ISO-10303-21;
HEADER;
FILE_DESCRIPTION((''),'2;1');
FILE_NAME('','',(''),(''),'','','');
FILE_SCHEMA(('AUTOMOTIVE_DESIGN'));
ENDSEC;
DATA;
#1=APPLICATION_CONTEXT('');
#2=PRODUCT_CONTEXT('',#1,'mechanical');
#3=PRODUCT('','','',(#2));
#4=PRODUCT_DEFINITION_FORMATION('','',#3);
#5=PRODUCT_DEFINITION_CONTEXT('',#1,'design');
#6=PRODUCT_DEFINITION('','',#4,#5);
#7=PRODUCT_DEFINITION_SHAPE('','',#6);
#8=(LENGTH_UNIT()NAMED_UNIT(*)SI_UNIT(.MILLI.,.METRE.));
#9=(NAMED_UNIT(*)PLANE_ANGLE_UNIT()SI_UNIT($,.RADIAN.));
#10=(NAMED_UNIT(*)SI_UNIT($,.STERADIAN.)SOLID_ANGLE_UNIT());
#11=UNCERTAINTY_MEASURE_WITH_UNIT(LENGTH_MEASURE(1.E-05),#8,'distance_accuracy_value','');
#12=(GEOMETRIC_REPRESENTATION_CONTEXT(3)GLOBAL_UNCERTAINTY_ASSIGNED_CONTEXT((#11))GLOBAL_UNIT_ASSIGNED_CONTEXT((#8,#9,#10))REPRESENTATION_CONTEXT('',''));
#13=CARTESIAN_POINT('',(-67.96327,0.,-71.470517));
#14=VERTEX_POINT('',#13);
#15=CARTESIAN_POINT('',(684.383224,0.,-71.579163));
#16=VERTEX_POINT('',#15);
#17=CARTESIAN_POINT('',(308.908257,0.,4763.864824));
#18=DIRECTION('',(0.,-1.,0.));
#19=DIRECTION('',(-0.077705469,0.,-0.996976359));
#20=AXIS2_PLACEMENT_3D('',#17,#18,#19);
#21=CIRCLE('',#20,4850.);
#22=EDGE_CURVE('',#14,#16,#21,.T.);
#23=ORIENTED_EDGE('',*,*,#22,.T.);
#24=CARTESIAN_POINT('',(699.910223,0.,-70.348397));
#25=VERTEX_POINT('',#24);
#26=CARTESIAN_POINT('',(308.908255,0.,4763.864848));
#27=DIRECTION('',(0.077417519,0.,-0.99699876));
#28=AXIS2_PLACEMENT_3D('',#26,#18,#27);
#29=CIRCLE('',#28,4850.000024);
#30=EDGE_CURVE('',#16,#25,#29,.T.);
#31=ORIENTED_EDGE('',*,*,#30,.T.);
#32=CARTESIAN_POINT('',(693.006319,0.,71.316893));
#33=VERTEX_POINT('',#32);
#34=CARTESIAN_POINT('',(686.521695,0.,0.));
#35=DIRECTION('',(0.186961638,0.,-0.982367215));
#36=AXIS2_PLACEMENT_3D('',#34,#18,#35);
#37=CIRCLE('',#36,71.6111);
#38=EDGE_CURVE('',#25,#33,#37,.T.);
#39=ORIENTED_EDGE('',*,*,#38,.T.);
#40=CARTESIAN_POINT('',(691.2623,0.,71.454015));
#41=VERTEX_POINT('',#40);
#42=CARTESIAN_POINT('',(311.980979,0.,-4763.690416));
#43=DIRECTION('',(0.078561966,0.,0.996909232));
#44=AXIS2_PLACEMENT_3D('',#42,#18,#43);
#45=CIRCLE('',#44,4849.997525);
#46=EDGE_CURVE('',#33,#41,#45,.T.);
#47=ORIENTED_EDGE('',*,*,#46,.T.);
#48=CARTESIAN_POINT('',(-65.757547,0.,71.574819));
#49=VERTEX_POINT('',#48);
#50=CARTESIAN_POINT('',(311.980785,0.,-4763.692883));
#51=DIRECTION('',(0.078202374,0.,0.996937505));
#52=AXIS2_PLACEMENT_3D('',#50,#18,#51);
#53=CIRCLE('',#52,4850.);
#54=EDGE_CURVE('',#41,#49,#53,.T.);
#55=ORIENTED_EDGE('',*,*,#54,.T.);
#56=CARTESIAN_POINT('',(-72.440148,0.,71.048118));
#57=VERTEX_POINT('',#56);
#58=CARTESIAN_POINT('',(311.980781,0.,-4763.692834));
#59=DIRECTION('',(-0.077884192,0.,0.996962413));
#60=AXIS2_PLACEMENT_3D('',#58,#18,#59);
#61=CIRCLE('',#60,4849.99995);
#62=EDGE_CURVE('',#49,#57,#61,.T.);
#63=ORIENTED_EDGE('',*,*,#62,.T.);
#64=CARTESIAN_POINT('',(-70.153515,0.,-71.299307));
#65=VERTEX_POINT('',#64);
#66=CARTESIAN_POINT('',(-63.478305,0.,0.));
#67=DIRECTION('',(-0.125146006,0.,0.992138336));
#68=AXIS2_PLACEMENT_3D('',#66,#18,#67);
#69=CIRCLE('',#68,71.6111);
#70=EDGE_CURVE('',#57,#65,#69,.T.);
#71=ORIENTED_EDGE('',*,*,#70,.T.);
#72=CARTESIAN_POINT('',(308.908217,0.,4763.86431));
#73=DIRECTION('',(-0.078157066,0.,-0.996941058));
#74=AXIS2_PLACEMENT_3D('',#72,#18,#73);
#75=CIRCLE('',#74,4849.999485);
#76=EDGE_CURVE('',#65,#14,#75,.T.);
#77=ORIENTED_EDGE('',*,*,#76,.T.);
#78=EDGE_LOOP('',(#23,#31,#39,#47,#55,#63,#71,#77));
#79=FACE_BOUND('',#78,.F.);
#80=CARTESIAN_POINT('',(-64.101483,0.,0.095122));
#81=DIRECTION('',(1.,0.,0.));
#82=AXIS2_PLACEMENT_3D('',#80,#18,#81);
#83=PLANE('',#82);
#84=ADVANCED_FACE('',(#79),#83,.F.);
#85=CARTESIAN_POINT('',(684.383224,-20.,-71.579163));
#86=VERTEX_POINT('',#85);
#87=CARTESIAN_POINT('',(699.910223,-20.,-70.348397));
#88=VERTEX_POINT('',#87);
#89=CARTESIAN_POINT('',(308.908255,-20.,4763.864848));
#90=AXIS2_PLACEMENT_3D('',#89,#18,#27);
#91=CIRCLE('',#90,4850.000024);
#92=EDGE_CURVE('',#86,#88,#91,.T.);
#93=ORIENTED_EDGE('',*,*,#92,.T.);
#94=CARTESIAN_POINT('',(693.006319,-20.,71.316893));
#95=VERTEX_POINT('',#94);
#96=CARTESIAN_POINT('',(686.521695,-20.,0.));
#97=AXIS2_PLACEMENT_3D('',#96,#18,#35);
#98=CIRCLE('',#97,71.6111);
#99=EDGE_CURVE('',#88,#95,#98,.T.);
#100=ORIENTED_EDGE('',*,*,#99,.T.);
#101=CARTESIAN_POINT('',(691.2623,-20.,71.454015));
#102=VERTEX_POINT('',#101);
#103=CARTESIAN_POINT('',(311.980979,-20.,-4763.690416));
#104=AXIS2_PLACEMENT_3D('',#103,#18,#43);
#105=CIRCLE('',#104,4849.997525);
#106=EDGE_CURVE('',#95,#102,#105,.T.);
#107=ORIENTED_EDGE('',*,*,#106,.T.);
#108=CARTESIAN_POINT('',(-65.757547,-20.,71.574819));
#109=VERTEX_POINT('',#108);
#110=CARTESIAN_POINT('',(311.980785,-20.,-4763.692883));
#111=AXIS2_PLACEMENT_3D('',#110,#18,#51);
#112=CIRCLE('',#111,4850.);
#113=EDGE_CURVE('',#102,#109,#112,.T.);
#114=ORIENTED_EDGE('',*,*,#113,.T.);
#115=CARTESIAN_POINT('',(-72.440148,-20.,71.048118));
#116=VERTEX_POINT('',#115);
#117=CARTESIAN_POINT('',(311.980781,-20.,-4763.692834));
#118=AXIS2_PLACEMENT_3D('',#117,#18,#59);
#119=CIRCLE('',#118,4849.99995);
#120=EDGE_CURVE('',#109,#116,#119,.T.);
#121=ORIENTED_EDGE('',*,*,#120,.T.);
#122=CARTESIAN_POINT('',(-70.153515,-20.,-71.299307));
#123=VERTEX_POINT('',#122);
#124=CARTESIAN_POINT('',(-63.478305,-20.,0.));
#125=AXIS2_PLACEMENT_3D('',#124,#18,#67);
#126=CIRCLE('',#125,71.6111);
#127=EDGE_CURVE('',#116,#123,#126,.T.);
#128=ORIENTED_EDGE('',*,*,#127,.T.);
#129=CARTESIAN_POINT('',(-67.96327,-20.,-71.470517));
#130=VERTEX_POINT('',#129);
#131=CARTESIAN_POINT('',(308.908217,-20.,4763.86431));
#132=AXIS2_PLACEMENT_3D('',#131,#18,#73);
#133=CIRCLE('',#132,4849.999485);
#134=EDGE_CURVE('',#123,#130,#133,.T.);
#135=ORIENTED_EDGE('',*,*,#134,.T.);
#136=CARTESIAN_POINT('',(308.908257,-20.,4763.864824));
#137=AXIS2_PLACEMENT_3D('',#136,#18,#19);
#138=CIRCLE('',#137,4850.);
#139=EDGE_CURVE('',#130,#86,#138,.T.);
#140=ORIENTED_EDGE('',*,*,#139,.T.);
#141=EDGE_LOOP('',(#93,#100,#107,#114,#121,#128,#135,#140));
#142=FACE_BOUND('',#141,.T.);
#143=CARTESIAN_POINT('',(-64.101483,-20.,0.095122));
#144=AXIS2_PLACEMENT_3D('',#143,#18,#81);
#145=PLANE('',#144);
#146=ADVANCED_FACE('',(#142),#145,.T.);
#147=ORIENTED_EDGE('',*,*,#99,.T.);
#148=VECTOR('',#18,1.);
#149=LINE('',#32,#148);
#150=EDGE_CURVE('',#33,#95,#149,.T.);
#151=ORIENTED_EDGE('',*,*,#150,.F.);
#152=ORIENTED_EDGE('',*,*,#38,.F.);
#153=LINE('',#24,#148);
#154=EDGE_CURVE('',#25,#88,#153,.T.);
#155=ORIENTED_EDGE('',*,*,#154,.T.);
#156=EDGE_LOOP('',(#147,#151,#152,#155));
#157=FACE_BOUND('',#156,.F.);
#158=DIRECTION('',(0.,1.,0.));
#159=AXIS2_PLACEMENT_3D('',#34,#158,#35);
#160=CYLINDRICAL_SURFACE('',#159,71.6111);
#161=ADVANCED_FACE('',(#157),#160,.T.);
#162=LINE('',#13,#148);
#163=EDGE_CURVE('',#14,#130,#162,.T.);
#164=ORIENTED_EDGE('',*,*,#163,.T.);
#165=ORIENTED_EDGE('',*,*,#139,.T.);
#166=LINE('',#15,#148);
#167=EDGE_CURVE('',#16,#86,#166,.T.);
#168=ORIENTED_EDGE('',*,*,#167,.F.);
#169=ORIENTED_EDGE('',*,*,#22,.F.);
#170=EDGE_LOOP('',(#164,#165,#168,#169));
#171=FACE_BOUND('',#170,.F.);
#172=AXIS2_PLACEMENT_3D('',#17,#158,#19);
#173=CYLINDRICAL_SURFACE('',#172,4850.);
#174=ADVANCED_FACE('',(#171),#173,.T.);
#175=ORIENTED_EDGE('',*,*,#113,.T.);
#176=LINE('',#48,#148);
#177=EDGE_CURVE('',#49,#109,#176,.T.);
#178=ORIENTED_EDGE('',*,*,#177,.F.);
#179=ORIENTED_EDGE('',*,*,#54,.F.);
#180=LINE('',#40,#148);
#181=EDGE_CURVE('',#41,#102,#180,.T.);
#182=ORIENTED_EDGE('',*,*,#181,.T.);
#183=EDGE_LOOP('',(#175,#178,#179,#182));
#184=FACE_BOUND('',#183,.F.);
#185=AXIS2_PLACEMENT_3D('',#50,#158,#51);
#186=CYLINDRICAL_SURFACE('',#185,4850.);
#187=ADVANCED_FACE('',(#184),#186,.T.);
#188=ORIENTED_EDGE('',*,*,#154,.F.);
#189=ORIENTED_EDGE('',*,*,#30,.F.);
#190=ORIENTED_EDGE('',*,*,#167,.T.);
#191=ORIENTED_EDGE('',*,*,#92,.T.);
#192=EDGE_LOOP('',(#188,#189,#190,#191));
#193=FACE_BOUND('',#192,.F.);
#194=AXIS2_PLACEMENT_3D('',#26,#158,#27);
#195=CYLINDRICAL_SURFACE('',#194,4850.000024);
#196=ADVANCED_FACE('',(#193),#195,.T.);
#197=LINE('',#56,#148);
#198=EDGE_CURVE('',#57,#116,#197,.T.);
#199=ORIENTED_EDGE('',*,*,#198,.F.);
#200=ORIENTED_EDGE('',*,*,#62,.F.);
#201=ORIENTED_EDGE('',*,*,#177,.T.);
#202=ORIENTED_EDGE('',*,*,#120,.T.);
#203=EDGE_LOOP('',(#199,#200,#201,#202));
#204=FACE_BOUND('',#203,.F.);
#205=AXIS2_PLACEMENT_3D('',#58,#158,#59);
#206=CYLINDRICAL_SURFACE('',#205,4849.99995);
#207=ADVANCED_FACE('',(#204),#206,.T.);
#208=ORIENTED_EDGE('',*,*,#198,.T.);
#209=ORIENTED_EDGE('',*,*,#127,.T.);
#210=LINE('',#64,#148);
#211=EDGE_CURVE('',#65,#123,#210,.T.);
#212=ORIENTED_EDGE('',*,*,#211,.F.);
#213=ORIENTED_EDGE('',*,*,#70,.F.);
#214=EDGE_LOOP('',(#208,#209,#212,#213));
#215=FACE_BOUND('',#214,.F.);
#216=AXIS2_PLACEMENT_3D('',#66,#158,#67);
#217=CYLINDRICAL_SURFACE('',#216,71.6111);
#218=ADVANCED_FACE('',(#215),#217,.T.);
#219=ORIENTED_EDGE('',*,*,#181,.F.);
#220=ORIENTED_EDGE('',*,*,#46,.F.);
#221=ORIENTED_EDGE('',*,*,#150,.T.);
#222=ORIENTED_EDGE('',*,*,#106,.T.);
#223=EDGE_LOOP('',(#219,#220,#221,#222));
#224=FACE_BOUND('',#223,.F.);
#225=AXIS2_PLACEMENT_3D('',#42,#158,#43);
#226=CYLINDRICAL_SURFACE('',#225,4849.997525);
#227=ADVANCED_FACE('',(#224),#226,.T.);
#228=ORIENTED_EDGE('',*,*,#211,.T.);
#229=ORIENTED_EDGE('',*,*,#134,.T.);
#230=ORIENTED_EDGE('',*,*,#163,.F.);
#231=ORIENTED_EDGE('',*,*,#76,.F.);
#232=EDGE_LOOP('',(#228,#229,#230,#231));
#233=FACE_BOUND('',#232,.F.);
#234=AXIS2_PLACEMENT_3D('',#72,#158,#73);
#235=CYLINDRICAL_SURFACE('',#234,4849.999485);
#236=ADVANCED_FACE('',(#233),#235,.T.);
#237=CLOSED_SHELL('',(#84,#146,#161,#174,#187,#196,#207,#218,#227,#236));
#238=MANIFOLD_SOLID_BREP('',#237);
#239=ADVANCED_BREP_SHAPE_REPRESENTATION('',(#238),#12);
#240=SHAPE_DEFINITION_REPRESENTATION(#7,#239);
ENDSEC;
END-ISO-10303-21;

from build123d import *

# Parameters (mm, degrees)
F1_DEPTH = 20


with BuildPart() as f1:
    # F0 (on Front) → F1 (new body)
    with BuildSketch(Plane.XZ):
        with BuildLine():
            ThreePointArc((-65.757547181, 71.5748188867), (-69.0989387142, 71.3126227553), (-72.4401482551, 71.0481175695))
            ThreePointArc((-72.4401482551, 71.0481175695), (-135.0801674653, -1.1501941521), (-70.1535153362, -71.2993072286))
            ThreePointArc((-70.1535153362, -71.2993072286), (-69.0584021422, -71.3850359083), (-67.9632695598, -71.4705165565))
            ThreePointArc((-67.9632695598, -71.4705165565), (-14.4529218434, -52.1982896408), (8.1327949171, 0))
            ThreePointArc((8.1327949171, 0), (-13.6539605845, 51.436216215), (-65.757547181, 71.5748188867))
        make_face()
        with BuildLine():
            ThreePointArc((691.2623000686, 71.4540153246), (312.7547370204, 86.3070548625), (-65.757547181, 71.5748188867))
            ThreePointArc((-65.757547181, 71.5748188867), (-13.6539605845, 51.436216215), (8.1327949171, 0))
            Line((8.1327949171, 0), (614.9105949171, 0))
            ThreePointArc((614.9105949171, 0), (637.5897539499, 52.2858948129), (691.2623000686, 71.4540153246))
        make_face()
        with BuildLine():
            ThreePointArc((8.1327949171, 0), (-14.4529218434, -52.1982896408), (-67.9632695598, -71.4705165565))
            ThreePointArc((-67.9632695598, -71.4705165565), (308.2078673432, -86.1351257419), (684.3832239949, -71.5791630667))
            ThreePointArc((684.3832239949, -71.5791630667), (635.134498563, -49.8749004418), (614.9105949171, 0))
            Line((614.9105949171, 0), (8.1327949171, 0))
        make_face()
        with BuildLine():
            ThreePointArc((693.0063193154, 71.3168934378), (692.1343158745, 71.385533015), (691.2623000686, 71.4540153246))
            ThreePointArc((691.2623000686, 71.4540153246), (637.5897539499, 52.2858948129), (614.9105949171, 0))
            ThreePointArc((614.9105949171, 0), (635.134498563, -49.8749004418), (684.3832239949, -71.5791630667))
            ThreePointArc((684.3832239949, -71.5791630667), (692.1472178132, -70.9700130767), (699.910223484, -70.3483968973))
            ThreePointArc((699.910223484, -70.3483968973), (741.689243808, -45.6584186386), (758.1327949171, 0))
            ThreePointArc((758.1327949171, 0), (739.4013731, 48.2896394528), (693.0063193154, 71.3168934378))
        make_face()
    extrude(amount=F1_DEPTH)


solid = f1.part
